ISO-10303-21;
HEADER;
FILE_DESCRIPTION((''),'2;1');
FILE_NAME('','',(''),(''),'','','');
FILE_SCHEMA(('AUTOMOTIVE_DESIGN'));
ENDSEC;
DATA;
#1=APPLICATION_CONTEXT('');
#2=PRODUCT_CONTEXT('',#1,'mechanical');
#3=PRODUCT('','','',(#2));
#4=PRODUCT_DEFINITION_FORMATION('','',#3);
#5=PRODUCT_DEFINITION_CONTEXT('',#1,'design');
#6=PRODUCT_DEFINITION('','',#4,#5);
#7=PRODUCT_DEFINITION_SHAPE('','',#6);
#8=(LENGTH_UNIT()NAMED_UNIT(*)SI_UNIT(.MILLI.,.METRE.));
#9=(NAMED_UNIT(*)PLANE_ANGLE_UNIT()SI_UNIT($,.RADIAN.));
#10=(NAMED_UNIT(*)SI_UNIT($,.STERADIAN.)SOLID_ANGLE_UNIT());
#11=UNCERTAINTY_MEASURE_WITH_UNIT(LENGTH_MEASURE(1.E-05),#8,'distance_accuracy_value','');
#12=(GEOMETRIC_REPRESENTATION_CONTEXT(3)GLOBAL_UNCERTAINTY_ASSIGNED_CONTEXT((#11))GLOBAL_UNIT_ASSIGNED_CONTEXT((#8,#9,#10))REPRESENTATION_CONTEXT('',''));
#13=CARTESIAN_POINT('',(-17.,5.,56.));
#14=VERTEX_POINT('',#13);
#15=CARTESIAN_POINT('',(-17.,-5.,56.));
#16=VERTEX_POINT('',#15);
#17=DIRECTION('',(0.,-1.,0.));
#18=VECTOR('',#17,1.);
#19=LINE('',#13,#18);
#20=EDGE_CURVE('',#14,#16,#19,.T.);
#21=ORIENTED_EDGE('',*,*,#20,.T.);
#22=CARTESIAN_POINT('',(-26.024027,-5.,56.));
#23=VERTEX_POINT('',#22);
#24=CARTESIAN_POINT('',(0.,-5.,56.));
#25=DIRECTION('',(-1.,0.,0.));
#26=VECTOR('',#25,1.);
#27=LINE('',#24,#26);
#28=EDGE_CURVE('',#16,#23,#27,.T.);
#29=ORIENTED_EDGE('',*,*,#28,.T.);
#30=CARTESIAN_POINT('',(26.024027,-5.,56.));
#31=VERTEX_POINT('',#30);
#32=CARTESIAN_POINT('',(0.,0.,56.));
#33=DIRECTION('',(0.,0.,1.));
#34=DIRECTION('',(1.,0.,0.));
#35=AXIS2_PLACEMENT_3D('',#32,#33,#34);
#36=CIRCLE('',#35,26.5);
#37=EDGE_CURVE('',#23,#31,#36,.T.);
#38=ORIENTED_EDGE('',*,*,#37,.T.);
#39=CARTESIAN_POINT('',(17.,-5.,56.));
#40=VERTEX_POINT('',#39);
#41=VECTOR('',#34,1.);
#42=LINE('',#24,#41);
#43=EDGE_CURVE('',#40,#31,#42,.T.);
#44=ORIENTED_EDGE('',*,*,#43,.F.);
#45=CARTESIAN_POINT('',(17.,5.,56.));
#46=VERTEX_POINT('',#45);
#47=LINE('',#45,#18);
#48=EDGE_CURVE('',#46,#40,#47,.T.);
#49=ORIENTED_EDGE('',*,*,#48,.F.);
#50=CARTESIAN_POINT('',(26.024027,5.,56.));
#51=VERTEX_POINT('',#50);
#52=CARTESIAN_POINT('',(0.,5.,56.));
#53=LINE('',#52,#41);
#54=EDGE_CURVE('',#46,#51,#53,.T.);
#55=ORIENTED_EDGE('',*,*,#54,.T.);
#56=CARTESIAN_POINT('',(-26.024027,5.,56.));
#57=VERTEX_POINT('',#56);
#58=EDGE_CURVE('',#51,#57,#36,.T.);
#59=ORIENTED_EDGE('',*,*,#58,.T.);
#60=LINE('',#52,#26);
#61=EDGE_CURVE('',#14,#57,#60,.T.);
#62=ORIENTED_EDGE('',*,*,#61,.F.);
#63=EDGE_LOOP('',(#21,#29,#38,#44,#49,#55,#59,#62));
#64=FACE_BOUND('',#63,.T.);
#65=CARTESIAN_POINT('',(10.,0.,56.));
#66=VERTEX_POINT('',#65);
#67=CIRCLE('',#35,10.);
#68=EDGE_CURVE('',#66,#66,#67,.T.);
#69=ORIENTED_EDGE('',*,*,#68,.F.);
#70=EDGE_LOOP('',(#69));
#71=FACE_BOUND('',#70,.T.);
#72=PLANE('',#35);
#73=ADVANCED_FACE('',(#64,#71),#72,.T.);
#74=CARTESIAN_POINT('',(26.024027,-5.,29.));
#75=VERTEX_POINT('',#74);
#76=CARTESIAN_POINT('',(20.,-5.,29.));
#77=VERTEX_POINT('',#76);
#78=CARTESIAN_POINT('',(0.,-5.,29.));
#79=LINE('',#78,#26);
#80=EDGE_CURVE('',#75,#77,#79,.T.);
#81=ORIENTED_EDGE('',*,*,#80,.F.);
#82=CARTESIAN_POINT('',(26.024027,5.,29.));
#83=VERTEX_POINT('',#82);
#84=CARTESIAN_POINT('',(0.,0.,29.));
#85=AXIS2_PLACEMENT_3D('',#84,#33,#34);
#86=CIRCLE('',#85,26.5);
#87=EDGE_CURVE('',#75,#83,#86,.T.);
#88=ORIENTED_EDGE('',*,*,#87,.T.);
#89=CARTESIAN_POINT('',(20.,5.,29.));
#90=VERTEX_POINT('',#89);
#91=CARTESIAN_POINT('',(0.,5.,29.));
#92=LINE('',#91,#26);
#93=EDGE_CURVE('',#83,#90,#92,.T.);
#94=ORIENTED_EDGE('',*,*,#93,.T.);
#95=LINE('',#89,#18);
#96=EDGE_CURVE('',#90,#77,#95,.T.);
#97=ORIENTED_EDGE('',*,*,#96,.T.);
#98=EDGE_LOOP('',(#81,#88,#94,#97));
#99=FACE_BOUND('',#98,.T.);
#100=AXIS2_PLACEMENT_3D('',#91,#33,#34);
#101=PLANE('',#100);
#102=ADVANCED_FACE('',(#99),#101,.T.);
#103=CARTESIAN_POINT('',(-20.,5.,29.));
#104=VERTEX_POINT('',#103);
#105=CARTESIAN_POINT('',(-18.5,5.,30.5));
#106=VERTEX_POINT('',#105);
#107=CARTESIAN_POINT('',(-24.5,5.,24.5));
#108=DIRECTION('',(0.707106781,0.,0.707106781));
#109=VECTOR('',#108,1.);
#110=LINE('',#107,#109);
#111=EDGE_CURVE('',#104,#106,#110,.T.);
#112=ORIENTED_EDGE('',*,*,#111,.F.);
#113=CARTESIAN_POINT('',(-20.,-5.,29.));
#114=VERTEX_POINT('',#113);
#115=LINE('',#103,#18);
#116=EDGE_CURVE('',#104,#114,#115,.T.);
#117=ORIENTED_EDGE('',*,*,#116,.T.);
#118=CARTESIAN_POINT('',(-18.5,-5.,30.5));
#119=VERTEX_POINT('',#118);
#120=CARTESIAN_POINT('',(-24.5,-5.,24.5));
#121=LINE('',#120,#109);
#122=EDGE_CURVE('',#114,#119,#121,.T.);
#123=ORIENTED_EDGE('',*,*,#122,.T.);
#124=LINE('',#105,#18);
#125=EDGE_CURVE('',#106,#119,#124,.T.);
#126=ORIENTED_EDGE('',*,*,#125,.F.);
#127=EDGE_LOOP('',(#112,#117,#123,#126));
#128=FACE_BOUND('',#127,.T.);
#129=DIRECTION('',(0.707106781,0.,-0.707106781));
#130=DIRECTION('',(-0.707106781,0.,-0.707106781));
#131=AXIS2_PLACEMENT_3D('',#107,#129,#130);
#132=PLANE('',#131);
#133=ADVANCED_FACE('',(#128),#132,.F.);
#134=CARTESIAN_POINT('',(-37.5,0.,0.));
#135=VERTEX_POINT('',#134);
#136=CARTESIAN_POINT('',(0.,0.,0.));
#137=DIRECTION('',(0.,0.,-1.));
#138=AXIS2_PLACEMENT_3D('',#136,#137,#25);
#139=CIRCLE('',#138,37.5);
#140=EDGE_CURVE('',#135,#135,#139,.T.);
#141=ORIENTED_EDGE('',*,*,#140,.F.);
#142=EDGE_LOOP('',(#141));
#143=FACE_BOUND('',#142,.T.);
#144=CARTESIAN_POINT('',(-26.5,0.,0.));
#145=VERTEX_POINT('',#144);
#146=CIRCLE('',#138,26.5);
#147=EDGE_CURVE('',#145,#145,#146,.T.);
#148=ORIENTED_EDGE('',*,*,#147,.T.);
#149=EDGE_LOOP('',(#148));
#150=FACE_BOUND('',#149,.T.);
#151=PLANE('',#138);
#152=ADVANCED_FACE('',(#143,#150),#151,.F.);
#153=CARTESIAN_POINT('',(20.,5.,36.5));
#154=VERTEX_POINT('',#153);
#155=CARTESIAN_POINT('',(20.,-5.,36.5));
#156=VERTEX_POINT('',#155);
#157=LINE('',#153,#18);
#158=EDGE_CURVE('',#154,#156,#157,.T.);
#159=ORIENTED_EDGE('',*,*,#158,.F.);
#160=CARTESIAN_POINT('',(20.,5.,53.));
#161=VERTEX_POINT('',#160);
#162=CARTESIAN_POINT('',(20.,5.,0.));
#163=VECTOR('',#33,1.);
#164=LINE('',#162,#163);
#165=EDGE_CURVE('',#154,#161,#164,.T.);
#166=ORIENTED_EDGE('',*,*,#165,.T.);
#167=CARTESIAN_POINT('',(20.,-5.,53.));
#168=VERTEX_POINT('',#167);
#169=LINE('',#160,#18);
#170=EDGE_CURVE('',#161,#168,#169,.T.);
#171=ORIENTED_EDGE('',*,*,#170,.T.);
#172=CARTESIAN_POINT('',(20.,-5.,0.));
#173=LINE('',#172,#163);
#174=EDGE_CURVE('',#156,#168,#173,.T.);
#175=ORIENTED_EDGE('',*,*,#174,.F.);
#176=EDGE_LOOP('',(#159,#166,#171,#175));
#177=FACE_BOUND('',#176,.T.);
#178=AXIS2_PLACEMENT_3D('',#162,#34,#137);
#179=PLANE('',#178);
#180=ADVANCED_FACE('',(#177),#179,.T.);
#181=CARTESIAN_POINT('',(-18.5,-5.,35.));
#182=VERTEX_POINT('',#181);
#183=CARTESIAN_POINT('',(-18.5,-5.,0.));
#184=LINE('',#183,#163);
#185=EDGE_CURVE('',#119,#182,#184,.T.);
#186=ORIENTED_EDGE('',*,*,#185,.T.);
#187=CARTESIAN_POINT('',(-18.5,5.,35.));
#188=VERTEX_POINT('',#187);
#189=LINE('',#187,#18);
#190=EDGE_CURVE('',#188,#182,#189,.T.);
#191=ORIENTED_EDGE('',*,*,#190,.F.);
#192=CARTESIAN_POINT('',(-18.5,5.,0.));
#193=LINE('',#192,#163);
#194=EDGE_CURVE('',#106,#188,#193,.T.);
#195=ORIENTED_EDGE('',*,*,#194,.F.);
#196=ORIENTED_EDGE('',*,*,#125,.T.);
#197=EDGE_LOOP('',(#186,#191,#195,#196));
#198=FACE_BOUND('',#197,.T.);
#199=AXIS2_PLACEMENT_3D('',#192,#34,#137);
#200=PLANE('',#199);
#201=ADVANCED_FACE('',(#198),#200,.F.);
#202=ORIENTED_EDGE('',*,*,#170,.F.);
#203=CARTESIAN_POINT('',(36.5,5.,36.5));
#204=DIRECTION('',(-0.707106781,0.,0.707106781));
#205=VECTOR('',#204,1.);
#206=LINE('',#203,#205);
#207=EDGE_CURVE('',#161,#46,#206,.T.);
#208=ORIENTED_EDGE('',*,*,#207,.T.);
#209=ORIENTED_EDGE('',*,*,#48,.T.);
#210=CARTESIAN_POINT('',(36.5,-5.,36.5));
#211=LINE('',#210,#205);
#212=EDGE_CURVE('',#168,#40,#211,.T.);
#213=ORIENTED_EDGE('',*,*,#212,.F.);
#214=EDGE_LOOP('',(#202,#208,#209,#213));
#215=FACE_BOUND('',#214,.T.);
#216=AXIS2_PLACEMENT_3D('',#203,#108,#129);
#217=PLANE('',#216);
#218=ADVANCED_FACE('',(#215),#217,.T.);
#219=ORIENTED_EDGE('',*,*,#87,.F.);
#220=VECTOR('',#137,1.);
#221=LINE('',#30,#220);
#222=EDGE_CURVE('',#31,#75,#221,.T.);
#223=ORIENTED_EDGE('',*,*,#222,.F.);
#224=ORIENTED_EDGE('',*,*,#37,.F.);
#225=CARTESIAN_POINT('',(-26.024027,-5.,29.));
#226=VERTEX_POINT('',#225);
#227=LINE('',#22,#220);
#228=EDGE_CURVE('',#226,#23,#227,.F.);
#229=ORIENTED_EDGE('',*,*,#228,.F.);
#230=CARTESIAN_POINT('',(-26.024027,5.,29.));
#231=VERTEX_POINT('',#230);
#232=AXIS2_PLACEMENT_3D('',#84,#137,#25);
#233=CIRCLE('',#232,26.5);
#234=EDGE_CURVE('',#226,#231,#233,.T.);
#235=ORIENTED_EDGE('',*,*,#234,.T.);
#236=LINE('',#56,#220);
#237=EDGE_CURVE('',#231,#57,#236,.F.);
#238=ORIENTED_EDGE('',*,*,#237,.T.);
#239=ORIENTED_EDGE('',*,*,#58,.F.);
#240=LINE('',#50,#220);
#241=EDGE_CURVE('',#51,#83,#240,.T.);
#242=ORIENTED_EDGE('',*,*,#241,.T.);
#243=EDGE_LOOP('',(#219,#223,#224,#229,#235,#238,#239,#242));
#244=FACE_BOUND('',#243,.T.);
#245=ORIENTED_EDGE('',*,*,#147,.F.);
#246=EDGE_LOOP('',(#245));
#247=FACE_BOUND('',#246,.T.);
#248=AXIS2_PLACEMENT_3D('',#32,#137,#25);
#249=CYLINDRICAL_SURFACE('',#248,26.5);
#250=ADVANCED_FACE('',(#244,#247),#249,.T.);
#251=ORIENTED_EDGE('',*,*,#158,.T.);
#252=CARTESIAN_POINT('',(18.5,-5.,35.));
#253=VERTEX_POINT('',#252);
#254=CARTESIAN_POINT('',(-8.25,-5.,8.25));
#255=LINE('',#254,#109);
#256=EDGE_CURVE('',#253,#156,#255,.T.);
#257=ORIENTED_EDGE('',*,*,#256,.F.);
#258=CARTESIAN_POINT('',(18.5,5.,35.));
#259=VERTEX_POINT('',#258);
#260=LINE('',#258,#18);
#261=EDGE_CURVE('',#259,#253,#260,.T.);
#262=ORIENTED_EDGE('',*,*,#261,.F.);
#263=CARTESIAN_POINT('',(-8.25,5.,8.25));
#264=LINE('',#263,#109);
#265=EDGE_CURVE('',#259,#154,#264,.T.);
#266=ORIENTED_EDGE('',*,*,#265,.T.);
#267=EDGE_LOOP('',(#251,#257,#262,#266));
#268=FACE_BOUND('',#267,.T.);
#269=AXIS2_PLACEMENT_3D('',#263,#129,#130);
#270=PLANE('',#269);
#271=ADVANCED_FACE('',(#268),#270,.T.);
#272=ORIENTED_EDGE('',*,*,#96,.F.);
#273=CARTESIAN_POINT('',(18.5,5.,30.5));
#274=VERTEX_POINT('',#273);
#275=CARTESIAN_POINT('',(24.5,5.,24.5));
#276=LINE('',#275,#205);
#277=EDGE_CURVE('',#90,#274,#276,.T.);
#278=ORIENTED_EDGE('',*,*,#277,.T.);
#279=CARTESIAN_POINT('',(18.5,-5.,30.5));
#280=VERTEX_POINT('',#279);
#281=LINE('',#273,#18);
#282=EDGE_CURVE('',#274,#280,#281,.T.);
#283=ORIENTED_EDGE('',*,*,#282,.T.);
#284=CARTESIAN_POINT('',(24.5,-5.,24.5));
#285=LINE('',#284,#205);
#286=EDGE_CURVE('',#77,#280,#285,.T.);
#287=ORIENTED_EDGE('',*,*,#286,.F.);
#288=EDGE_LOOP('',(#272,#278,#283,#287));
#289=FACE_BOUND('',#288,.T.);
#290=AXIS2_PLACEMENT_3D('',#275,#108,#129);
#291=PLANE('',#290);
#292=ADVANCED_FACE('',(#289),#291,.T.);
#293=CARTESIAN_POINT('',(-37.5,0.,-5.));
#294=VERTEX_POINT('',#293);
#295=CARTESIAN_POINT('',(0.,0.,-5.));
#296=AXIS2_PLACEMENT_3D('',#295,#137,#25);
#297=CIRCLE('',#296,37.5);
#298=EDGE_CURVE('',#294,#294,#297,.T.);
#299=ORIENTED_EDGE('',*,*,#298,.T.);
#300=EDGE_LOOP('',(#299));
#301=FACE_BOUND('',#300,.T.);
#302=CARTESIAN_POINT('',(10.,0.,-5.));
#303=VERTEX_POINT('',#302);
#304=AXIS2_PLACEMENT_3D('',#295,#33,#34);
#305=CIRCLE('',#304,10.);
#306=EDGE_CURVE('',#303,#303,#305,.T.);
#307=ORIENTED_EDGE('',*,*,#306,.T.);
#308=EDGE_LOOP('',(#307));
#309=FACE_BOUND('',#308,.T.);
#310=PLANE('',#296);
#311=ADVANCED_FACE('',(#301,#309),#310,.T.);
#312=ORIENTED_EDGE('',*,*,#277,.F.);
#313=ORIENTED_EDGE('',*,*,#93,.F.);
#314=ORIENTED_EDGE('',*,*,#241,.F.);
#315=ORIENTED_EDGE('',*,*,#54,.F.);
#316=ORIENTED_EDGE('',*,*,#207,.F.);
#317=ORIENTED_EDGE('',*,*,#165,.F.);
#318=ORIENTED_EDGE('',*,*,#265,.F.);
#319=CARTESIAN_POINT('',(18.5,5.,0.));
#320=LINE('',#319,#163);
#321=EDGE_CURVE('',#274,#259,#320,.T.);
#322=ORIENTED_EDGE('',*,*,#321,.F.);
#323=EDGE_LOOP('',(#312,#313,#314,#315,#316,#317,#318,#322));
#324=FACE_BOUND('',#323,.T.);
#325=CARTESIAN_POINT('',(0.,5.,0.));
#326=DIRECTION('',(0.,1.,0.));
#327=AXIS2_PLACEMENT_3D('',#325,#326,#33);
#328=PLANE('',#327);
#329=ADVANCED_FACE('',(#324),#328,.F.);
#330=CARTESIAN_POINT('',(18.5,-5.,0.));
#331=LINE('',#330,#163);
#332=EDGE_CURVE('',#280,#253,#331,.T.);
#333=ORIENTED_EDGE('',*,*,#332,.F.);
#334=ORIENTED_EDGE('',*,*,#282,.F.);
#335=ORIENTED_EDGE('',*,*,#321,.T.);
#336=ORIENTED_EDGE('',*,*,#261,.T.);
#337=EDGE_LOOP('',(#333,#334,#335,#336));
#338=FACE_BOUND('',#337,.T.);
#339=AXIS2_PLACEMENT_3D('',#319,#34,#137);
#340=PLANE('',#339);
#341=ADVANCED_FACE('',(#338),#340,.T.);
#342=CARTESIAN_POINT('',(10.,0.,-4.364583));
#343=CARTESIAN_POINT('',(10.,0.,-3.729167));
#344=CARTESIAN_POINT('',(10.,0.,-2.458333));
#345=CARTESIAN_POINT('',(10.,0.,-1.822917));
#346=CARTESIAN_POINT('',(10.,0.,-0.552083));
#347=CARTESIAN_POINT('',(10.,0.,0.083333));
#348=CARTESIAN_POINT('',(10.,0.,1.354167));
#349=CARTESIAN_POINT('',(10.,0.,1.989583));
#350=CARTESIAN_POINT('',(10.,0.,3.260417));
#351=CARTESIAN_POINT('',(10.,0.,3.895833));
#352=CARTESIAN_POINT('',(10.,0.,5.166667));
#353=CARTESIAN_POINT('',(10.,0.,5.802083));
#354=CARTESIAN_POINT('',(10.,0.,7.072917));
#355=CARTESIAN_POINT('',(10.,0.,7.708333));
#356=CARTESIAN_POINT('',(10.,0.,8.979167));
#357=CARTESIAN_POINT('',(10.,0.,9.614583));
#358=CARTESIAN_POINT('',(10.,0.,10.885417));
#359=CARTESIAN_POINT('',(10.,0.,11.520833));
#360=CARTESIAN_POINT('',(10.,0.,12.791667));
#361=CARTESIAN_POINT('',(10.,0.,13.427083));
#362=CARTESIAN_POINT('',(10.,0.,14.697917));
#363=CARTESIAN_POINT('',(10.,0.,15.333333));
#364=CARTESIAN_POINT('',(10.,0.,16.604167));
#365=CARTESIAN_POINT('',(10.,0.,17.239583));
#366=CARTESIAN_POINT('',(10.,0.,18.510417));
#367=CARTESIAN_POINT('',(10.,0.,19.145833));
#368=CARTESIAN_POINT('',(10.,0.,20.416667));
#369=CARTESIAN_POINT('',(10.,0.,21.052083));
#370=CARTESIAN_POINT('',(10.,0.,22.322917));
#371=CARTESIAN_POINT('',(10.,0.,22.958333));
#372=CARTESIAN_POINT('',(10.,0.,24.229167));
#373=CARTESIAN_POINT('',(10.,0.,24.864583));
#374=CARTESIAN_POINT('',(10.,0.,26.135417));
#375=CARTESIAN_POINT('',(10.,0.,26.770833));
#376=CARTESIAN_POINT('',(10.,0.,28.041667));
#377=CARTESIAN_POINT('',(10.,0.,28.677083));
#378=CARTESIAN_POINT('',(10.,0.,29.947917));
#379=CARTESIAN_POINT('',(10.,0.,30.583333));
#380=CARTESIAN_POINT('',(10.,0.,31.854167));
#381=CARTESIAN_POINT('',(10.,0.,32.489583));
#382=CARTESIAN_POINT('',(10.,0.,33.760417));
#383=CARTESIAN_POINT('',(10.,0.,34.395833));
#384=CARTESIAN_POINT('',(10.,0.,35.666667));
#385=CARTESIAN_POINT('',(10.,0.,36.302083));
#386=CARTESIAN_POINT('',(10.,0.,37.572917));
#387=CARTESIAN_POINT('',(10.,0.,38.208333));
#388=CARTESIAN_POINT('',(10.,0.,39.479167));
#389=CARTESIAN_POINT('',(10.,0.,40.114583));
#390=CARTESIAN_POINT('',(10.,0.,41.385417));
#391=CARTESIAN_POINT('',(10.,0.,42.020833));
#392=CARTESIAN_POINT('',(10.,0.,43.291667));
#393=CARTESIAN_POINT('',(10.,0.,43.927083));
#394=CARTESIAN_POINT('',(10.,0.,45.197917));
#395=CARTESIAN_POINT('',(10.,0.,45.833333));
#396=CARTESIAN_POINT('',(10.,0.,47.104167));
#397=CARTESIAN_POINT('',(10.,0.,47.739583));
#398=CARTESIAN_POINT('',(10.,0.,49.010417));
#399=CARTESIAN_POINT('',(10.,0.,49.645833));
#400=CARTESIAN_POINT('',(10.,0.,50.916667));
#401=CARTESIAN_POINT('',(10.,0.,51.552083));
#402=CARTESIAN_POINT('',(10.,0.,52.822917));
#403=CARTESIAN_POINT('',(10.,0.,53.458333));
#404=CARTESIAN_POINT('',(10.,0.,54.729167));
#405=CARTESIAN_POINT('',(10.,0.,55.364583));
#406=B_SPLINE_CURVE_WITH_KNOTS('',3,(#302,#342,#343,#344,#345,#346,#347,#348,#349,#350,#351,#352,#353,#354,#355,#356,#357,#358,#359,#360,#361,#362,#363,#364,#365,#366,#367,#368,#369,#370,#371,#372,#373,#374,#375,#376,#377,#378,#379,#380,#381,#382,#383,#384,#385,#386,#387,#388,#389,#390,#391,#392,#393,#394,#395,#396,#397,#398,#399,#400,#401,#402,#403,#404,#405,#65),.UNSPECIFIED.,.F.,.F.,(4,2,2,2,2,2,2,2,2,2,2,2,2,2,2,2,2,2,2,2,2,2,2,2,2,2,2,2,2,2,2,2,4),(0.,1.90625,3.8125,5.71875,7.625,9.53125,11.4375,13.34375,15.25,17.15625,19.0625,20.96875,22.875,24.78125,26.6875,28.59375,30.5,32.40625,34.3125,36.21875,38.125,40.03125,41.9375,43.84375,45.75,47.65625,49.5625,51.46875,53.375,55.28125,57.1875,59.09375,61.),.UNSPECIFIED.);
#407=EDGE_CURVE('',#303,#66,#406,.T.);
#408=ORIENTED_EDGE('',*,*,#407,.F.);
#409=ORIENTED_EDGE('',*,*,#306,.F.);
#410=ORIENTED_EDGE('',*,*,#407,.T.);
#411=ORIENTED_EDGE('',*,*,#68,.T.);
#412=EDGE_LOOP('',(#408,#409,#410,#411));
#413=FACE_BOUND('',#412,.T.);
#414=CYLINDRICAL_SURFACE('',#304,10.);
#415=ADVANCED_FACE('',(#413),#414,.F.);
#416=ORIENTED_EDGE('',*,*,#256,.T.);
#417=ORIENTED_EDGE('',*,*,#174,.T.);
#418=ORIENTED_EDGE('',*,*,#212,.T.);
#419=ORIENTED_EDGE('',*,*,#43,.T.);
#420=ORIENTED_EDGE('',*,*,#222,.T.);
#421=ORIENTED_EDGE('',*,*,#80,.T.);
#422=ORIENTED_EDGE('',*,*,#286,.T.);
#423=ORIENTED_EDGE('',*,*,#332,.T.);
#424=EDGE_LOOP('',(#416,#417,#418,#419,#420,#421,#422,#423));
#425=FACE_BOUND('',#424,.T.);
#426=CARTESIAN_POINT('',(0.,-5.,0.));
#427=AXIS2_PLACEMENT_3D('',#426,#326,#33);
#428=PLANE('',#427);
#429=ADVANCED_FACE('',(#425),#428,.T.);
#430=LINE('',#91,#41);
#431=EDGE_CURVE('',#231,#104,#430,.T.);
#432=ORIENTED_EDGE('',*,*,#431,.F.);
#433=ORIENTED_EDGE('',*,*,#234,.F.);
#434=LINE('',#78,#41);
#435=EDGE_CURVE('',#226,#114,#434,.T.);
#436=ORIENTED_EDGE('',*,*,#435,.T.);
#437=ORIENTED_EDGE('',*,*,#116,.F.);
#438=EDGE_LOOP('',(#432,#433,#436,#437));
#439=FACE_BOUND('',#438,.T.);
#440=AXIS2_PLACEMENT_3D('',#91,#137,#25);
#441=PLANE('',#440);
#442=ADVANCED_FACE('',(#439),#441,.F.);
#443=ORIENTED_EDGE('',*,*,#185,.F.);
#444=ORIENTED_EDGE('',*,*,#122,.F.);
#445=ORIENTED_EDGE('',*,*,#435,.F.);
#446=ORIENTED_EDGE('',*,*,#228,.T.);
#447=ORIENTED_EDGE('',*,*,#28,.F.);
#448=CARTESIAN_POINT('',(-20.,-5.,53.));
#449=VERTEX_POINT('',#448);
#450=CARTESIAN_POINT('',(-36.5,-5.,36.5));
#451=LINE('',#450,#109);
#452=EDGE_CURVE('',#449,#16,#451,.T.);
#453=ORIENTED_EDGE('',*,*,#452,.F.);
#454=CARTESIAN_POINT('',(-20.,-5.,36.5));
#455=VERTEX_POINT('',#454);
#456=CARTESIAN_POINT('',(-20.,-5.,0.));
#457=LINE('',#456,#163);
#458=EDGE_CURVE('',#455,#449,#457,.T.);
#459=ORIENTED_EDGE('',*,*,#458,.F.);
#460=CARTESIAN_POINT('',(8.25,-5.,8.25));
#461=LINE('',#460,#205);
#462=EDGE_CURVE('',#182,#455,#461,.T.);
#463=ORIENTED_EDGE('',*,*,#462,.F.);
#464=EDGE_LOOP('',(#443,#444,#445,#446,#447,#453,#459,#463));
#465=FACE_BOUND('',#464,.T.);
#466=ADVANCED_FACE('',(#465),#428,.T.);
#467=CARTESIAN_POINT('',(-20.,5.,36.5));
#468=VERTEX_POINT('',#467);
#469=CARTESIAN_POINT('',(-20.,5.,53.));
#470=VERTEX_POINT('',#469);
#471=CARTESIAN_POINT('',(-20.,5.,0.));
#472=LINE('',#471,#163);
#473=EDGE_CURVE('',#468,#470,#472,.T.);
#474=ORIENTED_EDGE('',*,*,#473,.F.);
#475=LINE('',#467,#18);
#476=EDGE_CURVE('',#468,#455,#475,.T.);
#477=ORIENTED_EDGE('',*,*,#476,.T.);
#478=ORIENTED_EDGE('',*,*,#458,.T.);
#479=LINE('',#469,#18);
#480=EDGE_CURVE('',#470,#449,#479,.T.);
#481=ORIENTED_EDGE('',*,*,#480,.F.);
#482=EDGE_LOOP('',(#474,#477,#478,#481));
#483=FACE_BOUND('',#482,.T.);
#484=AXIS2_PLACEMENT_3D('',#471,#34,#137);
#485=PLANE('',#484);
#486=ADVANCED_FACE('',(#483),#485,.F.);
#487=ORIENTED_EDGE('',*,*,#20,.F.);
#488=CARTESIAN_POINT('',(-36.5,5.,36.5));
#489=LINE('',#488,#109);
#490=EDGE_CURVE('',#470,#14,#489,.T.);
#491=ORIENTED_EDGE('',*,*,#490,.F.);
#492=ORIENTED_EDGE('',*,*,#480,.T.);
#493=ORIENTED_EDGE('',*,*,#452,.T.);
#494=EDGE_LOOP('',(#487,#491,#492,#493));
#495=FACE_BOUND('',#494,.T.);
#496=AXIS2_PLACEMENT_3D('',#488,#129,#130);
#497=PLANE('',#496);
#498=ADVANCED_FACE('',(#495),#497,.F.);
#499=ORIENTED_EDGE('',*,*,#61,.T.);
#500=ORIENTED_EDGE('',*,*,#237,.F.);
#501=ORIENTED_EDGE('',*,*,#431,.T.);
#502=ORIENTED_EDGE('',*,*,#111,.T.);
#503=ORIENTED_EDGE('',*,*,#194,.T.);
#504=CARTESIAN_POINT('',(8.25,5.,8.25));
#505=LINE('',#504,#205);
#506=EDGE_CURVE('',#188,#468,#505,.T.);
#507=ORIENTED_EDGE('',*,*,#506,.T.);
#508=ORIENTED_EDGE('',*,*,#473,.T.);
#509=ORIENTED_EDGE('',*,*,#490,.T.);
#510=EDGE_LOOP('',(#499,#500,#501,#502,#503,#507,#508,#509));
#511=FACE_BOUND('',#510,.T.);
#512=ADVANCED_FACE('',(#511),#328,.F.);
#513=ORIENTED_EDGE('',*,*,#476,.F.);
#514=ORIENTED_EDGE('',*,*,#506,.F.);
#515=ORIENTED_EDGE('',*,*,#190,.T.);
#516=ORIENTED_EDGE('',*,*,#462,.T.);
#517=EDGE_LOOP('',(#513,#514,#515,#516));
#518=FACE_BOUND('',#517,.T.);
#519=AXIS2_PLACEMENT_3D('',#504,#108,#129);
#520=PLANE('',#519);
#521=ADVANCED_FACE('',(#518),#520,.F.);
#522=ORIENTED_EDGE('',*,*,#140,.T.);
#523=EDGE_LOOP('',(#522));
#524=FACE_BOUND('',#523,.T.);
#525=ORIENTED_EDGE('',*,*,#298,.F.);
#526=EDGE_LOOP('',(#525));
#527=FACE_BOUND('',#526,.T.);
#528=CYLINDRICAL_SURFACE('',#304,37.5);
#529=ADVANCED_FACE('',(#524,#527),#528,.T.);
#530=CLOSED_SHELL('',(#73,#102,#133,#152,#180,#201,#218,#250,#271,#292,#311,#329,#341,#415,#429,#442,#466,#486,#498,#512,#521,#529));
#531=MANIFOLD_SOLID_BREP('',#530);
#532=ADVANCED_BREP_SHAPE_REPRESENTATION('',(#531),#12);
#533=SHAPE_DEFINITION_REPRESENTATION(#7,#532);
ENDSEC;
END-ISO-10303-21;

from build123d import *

# Parameters (mm, degrees)
SKETCH1_R           = 26.5
BOSS_EXTRUDE1_DEPTH = 56
SKETCH4_R           = 37.5
BOSS_EXTRUDE2_DEPTH = 5
SKETCH5_R           = 10
CUT_EXTRUDE1_DEPTH  = 81.830068663
CUT_EXTRUDE2_DEPTH  = 5


with BuildPart() as part:
    # Sketch1 → Boss-Extrude1 (new body)
    with BuildSketch(Plane.XY):
        Circle(SKETCH1_R)
    extrude(amount=BOSS_EXTRUDE1_DEPTH)

    # Sketch4 → Boss-Extrude2 (add)
    with BuildSketch(Plane(origin=(0, 0, 0), x_dir=(-1, 0, 0), z_dir=(0, 0, -1))):
        Circle(SKETCH4_R)
    extrude(amount=BOSS_EXTRUDE2_DEPTH)

    # Sketch5 → Cut-Extrude1 (cut, through all)
    with BuildSketch(Plane.XY.offset(56)):
        Circle(SKETCH5_R)
    extrude(amount=-CUT_EXTRUDE1_DEPTH, mode=Mode.SUBTRACT)

    # Sketch6 → Cut-Extrude2 (cut, symmetric)
    with BuildSketch(Plane(origin=(0, 0, 0), x_dir=(1, 0, 0), z_dir=(0, 1, 0))):
        Polygon((17, -56), (20, -56), (26.5, -56), (26.5, -29), (20, -29), (18.5, -30.5), (18.5, -35), (20, -36.5), (20, -53), align=None)
    cut_extrude2 = extrude(amount=CUT_EXTRUDE2_DEPTH, both=True, mode=Mode.SUBTRACT)

    # Mirror1: Cut-Extrude2 across plane
    add(cut_extrude2.mirror(Plane(origin=(0, 0, 0), x_dir=(0, 0, 1), z_dir=(1, 0, 0))), mode=Mode.SUBTRACT)


solid = part.part
